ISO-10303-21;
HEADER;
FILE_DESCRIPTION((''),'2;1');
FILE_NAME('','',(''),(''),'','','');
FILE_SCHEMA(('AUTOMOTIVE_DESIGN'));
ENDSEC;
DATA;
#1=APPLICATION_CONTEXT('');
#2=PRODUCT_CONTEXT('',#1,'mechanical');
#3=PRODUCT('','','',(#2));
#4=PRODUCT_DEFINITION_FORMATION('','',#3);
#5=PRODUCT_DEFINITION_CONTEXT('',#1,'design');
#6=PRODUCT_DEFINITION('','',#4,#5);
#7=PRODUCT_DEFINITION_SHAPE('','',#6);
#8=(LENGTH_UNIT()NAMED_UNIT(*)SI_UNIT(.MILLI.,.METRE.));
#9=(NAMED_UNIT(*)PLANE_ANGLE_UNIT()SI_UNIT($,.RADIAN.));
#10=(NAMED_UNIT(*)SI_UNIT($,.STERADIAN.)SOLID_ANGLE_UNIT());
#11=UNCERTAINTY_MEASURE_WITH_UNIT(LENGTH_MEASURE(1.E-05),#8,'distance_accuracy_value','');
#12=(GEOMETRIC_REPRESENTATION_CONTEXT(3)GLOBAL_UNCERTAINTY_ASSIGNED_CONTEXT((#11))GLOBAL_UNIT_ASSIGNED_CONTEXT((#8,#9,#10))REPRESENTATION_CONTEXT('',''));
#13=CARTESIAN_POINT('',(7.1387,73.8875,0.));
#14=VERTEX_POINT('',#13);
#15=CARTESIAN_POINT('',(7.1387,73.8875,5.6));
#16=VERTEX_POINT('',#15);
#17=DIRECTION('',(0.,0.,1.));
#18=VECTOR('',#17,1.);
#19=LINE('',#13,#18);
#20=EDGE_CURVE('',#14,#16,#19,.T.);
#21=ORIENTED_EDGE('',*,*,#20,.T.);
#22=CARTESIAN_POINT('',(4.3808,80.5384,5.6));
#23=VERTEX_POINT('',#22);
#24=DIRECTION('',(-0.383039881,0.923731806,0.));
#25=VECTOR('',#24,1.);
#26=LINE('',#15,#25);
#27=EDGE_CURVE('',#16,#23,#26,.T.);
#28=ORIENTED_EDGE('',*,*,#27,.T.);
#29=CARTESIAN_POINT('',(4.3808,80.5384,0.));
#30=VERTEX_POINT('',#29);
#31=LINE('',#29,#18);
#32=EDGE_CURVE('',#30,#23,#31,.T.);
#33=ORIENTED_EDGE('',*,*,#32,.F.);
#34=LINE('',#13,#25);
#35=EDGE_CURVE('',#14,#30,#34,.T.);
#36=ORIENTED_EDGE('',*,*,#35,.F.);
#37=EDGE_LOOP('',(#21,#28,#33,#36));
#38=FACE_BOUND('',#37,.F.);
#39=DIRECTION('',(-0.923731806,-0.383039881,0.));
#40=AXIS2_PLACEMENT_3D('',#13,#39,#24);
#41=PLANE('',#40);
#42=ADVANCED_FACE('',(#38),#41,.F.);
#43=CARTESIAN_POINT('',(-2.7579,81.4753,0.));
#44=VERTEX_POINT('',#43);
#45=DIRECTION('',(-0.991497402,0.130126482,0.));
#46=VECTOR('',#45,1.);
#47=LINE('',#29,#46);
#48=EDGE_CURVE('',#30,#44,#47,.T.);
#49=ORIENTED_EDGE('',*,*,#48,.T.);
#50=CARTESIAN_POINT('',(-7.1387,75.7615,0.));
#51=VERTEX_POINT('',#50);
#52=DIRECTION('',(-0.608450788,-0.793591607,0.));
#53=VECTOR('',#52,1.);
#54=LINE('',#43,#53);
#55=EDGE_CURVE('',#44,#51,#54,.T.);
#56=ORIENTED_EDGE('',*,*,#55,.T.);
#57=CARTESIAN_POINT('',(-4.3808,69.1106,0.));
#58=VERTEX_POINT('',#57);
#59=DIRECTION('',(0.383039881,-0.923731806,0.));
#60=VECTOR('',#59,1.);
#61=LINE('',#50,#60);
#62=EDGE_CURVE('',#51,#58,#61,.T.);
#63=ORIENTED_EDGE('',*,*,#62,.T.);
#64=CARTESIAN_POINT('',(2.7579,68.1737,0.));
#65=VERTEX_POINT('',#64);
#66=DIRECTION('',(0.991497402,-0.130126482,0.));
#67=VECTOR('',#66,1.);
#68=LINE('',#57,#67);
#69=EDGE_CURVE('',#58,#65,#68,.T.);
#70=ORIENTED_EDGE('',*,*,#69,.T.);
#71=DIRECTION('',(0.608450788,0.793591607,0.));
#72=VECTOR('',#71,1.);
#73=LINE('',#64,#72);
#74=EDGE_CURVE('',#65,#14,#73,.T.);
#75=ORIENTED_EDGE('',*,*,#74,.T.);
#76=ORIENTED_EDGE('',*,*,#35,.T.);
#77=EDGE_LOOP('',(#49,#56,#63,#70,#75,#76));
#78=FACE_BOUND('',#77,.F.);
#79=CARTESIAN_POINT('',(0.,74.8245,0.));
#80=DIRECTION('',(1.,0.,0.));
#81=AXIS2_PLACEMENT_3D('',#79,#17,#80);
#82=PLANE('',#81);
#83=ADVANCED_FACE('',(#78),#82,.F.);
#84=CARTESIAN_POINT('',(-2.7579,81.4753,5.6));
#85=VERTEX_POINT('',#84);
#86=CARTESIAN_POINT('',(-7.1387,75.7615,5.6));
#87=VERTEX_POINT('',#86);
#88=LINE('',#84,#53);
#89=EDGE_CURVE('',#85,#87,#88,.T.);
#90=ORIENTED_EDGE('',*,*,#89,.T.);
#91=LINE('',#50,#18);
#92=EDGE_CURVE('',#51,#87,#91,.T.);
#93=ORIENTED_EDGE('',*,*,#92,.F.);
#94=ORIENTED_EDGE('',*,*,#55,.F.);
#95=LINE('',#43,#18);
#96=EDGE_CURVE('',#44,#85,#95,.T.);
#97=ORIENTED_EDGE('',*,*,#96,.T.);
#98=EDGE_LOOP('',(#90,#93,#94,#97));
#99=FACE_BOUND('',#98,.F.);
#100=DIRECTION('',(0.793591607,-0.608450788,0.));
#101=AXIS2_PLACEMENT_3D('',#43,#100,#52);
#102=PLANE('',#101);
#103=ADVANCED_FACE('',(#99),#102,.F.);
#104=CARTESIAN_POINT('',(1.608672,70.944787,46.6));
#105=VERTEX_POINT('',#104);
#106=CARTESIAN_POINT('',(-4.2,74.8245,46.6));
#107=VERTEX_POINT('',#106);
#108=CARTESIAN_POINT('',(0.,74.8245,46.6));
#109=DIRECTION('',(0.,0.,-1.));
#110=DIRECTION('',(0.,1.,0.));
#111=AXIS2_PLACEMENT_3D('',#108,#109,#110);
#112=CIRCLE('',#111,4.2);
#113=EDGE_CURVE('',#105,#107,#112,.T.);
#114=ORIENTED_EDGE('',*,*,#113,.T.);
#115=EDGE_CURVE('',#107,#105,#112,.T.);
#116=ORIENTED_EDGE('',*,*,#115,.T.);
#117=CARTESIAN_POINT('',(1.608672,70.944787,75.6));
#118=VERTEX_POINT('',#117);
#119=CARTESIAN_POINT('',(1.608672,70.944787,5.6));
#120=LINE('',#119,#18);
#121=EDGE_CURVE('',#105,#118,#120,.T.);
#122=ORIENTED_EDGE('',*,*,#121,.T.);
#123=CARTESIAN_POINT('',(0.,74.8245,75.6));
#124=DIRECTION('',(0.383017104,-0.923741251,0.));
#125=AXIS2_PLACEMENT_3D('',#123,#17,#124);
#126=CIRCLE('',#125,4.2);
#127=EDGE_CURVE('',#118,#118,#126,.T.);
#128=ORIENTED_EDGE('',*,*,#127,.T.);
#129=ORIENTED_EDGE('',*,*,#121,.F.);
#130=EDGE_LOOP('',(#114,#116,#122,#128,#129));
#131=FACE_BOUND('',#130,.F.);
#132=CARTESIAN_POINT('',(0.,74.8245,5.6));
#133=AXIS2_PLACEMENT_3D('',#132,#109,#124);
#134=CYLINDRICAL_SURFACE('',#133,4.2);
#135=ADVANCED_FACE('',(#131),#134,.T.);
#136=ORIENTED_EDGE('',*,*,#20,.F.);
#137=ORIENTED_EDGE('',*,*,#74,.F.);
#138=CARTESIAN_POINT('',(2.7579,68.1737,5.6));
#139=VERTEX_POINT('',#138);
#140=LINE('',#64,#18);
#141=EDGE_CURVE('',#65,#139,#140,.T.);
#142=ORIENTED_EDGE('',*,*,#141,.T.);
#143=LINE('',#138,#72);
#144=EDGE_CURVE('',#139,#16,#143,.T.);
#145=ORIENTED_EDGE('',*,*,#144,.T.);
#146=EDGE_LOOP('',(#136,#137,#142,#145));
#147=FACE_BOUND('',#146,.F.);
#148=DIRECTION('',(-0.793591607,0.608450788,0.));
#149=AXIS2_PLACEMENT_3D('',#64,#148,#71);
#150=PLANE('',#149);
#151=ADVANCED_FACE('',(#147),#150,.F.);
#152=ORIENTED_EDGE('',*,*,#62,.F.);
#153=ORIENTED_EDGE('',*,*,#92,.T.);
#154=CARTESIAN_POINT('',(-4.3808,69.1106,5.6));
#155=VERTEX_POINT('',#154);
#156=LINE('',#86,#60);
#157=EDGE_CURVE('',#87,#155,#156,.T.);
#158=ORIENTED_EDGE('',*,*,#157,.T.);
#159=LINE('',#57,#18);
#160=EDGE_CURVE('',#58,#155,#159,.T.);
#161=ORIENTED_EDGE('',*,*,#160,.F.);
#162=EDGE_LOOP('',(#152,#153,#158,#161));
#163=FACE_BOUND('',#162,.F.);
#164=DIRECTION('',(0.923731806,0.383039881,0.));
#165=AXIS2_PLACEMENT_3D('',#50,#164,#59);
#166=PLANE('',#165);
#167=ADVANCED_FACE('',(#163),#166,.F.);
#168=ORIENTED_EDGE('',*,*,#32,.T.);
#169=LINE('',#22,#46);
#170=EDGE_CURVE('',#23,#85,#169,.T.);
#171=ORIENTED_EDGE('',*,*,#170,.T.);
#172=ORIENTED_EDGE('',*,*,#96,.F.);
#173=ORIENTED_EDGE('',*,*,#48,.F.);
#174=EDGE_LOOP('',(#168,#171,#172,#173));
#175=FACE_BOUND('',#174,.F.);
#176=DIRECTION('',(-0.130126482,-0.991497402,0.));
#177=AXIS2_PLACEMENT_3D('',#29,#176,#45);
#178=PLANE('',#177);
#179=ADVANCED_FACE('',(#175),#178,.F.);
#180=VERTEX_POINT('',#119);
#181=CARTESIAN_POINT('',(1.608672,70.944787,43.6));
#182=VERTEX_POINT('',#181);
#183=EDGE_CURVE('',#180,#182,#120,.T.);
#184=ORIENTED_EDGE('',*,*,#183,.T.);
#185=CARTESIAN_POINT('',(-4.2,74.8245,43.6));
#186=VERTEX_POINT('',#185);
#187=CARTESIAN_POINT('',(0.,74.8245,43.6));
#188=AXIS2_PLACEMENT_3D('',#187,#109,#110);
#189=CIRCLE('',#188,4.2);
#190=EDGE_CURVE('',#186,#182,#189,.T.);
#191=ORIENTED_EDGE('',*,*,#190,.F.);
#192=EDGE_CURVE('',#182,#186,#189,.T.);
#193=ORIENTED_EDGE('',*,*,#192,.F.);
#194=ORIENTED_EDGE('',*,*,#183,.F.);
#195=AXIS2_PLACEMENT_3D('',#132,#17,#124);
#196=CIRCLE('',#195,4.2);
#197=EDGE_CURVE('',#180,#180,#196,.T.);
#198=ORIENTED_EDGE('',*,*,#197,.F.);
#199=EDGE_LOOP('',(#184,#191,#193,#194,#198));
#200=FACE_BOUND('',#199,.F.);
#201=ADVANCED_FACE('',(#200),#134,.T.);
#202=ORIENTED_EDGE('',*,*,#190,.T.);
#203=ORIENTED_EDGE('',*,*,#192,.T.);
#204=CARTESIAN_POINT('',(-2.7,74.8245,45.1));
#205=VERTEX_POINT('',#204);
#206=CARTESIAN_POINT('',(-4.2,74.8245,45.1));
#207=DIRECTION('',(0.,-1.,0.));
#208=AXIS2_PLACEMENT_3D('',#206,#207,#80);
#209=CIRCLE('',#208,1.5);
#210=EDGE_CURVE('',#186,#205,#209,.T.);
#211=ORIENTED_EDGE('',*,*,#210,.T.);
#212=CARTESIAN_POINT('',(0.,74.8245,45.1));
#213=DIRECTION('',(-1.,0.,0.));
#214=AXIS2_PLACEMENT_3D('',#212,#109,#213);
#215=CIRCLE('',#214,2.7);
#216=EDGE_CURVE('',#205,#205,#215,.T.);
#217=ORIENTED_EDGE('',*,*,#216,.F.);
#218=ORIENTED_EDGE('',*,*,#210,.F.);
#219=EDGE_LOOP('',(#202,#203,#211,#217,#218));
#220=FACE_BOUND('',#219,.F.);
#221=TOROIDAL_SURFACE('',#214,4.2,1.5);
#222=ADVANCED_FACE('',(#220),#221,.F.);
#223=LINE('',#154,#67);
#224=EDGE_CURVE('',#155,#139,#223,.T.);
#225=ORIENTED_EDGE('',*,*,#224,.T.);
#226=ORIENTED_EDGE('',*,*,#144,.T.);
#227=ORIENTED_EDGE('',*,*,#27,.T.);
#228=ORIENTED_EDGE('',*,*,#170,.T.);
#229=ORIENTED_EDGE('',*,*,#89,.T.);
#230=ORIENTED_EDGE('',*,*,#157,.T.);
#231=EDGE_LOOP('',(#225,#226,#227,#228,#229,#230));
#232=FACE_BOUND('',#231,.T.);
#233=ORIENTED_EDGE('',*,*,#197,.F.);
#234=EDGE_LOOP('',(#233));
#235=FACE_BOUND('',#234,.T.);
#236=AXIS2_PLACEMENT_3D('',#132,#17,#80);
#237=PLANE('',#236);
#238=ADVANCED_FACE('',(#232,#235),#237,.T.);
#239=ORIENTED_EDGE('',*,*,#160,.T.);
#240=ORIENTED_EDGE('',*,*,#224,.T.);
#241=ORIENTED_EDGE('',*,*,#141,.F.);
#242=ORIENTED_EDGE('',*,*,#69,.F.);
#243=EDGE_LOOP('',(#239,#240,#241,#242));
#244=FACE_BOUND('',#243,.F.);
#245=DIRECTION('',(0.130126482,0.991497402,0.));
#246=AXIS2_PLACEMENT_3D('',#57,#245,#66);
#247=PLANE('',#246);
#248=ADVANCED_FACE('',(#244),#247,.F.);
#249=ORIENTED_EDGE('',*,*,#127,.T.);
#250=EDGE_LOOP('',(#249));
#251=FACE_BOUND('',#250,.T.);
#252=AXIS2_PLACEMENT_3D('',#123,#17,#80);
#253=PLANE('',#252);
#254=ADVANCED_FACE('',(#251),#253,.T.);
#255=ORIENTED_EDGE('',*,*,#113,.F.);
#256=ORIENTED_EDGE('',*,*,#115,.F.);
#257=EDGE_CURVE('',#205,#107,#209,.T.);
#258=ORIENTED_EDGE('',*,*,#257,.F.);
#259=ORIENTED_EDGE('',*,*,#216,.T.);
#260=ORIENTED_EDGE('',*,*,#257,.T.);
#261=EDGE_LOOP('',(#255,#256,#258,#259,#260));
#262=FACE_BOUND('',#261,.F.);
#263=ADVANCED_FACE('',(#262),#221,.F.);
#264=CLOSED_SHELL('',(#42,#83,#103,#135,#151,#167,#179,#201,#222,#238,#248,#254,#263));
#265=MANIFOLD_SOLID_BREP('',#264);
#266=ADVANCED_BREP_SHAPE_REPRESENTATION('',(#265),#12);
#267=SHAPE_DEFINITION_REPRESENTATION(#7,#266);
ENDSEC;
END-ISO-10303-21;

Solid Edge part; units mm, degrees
sketch "Sketch1" plane through (0, 0, 0) normal (0, 0, 1) x (1, 0, 0)
  line L0 (-2.7579, 81.4753) -> (-7.1387, 75.7615)
  line L1 (-7.1387, 75.7615) -> (-4.3808, 69.1106)
  line L2 (-4.3808, 69.1106) -> (2.7579, 68.1737)
  line L3 (2.7579, 68.1737) -> (7.1387, 73.8875)
  line L4 (7.1387, 73.8875) -> (4.3808, 80.5384)
  line L5 (4.3808, 80.5384) -> (-2.7579, 81.4753)
extrude "Protrusion1" add sketch "Sketch1" along normal up to vertex (5.6 mm away)
sketch "Sketch2" plane through (0, 74.8245, 5.6) normal (0, 0, 1) x (0.383, -0.9237, 0)
  circle A0 centre (0, 0) radius 4.2
extrude "Protrusion2" add sketch "Sketch2" along normal blind 70
sketch "Sketch3" plane through (0, 74.8245, 0) normal (0, -1, 0) x (1, 0, 0)
  circle A0 centre (-4.2, 45.1) radius 1.5
  dimension "D1" = 30.5
revolve "RevolvedCutout1" cut sketch "Sketch3" angle 360 about axis through (0, 74.8245, 54) along (0, 0, -1)
